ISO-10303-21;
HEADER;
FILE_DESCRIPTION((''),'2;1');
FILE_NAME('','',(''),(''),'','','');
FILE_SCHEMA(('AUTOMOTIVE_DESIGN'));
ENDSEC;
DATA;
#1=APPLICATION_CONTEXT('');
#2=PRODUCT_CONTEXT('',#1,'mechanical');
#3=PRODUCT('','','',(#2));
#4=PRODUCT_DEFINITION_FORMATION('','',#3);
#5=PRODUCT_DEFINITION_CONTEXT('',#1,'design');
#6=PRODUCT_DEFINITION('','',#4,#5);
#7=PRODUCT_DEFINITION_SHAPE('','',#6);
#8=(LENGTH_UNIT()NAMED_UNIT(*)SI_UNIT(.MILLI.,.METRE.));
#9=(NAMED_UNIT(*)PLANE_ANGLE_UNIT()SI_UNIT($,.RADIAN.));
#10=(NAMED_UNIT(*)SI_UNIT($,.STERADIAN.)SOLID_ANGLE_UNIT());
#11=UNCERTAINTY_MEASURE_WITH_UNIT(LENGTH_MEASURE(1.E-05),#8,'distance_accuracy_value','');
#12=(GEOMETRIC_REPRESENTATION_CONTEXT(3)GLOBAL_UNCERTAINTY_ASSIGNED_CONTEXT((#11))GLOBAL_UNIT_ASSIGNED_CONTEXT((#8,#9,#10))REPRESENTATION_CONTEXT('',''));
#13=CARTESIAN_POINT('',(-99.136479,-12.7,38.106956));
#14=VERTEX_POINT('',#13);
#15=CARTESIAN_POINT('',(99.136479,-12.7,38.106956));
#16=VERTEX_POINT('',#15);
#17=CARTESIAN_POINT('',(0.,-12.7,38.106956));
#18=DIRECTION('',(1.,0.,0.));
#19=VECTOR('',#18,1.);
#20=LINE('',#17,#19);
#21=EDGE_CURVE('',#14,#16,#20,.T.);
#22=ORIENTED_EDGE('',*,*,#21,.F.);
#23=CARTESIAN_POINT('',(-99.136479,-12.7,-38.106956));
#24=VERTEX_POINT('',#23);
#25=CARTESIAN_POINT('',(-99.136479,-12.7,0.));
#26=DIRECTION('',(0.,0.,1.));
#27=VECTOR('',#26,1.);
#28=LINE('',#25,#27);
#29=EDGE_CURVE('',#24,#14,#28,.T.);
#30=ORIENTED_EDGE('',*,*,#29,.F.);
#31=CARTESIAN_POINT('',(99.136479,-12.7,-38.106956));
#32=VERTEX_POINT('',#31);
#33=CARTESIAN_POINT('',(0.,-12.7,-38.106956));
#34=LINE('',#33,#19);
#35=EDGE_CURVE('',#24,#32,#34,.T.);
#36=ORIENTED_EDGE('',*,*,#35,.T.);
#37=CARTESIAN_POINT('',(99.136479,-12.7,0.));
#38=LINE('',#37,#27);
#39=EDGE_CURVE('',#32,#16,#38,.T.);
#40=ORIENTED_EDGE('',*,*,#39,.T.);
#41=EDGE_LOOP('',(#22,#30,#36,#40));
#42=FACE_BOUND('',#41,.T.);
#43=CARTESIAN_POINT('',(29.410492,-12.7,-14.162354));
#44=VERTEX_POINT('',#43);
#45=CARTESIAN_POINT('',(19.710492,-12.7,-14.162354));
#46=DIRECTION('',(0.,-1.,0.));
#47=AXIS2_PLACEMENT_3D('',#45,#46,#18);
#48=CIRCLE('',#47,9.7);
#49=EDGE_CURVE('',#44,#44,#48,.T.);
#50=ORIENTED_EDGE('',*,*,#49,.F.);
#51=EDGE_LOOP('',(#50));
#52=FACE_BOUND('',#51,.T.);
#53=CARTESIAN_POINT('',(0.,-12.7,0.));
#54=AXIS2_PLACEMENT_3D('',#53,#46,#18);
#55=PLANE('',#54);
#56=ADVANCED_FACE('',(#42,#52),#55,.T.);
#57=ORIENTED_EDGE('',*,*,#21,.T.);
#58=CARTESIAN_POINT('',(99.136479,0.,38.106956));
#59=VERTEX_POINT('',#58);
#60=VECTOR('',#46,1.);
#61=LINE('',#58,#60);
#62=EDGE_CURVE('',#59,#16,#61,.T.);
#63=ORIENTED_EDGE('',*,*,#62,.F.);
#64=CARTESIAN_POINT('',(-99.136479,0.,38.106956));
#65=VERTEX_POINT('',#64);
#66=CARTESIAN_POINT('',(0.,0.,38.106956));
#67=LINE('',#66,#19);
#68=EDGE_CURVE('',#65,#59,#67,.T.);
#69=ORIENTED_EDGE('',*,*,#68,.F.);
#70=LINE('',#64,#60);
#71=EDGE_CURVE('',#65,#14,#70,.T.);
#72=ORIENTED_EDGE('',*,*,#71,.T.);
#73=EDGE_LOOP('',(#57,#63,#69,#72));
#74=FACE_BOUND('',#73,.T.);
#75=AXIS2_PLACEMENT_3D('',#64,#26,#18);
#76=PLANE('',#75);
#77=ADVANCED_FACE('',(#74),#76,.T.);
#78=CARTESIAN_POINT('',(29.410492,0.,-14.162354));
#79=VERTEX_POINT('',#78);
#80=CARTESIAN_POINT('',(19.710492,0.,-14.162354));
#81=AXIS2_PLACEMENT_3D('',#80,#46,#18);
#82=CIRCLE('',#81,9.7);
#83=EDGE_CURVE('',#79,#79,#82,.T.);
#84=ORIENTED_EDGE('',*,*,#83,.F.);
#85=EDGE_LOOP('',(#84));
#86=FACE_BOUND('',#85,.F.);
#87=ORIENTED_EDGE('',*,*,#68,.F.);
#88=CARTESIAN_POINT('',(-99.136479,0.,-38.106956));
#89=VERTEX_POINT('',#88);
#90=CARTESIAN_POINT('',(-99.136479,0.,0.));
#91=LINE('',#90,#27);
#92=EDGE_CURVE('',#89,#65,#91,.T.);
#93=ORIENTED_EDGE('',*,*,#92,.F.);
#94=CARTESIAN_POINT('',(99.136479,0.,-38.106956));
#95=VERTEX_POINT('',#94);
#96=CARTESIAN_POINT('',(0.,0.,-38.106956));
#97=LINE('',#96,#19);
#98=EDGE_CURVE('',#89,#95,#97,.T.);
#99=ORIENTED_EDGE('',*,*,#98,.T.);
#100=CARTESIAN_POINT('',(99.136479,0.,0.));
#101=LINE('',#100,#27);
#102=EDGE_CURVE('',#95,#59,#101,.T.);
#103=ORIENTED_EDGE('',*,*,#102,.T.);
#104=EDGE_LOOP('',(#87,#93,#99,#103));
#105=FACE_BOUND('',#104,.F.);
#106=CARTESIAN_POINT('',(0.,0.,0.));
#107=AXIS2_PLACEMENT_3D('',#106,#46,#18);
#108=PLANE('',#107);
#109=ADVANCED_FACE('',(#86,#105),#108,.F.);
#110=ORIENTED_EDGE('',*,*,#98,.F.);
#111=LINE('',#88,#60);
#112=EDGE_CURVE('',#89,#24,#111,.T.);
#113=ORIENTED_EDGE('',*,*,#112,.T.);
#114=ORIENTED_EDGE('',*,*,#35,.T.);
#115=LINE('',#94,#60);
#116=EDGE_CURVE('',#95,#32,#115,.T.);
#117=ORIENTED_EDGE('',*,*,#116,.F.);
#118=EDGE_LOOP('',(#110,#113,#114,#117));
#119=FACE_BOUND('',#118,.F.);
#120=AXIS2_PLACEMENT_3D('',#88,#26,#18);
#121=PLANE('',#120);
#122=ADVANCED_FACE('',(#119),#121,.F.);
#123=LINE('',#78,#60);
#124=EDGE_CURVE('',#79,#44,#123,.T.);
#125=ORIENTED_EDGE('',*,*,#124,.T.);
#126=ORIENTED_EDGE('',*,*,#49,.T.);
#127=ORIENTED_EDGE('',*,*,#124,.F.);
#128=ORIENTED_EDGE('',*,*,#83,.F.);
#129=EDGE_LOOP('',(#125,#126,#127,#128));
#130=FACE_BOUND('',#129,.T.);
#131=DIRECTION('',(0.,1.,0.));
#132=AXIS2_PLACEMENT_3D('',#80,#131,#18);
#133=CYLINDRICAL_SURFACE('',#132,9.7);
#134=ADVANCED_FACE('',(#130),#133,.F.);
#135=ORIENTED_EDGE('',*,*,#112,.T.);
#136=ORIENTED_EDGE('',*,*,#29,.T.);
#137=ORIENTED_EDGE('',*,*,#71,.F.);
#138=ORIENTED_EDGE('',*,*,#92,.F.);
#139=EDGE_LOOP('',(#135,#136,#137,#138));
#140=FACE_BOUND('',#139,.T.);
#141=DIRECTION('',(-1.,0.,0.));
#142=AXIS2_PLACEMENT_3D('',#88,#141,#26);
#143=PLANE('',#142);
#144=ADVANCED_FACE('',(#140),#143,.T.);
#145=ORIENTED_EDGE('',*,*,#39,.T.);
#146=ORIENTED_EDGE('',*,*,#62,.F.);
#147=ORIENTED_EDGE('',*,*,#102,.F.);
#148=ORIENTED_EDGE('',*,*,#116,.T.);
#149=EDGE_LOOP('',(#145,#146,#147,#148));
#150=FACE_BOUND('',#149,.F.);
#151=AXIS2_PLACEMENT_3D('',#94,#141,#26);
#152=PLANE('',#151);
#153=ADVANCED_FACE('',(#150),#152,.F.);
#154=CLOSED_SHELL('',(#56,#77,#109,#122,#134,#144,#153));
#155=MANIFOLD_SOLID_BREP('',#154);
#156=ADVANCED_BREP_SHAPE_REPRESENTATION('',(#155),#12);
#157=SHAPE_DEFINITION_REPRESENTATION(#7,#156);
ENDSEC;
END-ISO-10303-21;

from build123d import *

# Parameters (mm, degrees)
F3_W     = 198.272958
F3_H     = 76.213912
F3_R     = 9.7
F4_DEPTH = 12.7


with BuildPart() as f4:
    # F3 (on face) → F4 (new body)
    with BuildSketch(Plane.XZ):
        Rectangle(F3_W, F3_H)
        with Locations((19.710492, -14.162354)):
            Circle(F3_R, mode=Mode.SUBTRACT)
    extrude(amount=F4_DEPTH)


solid = f4.part
